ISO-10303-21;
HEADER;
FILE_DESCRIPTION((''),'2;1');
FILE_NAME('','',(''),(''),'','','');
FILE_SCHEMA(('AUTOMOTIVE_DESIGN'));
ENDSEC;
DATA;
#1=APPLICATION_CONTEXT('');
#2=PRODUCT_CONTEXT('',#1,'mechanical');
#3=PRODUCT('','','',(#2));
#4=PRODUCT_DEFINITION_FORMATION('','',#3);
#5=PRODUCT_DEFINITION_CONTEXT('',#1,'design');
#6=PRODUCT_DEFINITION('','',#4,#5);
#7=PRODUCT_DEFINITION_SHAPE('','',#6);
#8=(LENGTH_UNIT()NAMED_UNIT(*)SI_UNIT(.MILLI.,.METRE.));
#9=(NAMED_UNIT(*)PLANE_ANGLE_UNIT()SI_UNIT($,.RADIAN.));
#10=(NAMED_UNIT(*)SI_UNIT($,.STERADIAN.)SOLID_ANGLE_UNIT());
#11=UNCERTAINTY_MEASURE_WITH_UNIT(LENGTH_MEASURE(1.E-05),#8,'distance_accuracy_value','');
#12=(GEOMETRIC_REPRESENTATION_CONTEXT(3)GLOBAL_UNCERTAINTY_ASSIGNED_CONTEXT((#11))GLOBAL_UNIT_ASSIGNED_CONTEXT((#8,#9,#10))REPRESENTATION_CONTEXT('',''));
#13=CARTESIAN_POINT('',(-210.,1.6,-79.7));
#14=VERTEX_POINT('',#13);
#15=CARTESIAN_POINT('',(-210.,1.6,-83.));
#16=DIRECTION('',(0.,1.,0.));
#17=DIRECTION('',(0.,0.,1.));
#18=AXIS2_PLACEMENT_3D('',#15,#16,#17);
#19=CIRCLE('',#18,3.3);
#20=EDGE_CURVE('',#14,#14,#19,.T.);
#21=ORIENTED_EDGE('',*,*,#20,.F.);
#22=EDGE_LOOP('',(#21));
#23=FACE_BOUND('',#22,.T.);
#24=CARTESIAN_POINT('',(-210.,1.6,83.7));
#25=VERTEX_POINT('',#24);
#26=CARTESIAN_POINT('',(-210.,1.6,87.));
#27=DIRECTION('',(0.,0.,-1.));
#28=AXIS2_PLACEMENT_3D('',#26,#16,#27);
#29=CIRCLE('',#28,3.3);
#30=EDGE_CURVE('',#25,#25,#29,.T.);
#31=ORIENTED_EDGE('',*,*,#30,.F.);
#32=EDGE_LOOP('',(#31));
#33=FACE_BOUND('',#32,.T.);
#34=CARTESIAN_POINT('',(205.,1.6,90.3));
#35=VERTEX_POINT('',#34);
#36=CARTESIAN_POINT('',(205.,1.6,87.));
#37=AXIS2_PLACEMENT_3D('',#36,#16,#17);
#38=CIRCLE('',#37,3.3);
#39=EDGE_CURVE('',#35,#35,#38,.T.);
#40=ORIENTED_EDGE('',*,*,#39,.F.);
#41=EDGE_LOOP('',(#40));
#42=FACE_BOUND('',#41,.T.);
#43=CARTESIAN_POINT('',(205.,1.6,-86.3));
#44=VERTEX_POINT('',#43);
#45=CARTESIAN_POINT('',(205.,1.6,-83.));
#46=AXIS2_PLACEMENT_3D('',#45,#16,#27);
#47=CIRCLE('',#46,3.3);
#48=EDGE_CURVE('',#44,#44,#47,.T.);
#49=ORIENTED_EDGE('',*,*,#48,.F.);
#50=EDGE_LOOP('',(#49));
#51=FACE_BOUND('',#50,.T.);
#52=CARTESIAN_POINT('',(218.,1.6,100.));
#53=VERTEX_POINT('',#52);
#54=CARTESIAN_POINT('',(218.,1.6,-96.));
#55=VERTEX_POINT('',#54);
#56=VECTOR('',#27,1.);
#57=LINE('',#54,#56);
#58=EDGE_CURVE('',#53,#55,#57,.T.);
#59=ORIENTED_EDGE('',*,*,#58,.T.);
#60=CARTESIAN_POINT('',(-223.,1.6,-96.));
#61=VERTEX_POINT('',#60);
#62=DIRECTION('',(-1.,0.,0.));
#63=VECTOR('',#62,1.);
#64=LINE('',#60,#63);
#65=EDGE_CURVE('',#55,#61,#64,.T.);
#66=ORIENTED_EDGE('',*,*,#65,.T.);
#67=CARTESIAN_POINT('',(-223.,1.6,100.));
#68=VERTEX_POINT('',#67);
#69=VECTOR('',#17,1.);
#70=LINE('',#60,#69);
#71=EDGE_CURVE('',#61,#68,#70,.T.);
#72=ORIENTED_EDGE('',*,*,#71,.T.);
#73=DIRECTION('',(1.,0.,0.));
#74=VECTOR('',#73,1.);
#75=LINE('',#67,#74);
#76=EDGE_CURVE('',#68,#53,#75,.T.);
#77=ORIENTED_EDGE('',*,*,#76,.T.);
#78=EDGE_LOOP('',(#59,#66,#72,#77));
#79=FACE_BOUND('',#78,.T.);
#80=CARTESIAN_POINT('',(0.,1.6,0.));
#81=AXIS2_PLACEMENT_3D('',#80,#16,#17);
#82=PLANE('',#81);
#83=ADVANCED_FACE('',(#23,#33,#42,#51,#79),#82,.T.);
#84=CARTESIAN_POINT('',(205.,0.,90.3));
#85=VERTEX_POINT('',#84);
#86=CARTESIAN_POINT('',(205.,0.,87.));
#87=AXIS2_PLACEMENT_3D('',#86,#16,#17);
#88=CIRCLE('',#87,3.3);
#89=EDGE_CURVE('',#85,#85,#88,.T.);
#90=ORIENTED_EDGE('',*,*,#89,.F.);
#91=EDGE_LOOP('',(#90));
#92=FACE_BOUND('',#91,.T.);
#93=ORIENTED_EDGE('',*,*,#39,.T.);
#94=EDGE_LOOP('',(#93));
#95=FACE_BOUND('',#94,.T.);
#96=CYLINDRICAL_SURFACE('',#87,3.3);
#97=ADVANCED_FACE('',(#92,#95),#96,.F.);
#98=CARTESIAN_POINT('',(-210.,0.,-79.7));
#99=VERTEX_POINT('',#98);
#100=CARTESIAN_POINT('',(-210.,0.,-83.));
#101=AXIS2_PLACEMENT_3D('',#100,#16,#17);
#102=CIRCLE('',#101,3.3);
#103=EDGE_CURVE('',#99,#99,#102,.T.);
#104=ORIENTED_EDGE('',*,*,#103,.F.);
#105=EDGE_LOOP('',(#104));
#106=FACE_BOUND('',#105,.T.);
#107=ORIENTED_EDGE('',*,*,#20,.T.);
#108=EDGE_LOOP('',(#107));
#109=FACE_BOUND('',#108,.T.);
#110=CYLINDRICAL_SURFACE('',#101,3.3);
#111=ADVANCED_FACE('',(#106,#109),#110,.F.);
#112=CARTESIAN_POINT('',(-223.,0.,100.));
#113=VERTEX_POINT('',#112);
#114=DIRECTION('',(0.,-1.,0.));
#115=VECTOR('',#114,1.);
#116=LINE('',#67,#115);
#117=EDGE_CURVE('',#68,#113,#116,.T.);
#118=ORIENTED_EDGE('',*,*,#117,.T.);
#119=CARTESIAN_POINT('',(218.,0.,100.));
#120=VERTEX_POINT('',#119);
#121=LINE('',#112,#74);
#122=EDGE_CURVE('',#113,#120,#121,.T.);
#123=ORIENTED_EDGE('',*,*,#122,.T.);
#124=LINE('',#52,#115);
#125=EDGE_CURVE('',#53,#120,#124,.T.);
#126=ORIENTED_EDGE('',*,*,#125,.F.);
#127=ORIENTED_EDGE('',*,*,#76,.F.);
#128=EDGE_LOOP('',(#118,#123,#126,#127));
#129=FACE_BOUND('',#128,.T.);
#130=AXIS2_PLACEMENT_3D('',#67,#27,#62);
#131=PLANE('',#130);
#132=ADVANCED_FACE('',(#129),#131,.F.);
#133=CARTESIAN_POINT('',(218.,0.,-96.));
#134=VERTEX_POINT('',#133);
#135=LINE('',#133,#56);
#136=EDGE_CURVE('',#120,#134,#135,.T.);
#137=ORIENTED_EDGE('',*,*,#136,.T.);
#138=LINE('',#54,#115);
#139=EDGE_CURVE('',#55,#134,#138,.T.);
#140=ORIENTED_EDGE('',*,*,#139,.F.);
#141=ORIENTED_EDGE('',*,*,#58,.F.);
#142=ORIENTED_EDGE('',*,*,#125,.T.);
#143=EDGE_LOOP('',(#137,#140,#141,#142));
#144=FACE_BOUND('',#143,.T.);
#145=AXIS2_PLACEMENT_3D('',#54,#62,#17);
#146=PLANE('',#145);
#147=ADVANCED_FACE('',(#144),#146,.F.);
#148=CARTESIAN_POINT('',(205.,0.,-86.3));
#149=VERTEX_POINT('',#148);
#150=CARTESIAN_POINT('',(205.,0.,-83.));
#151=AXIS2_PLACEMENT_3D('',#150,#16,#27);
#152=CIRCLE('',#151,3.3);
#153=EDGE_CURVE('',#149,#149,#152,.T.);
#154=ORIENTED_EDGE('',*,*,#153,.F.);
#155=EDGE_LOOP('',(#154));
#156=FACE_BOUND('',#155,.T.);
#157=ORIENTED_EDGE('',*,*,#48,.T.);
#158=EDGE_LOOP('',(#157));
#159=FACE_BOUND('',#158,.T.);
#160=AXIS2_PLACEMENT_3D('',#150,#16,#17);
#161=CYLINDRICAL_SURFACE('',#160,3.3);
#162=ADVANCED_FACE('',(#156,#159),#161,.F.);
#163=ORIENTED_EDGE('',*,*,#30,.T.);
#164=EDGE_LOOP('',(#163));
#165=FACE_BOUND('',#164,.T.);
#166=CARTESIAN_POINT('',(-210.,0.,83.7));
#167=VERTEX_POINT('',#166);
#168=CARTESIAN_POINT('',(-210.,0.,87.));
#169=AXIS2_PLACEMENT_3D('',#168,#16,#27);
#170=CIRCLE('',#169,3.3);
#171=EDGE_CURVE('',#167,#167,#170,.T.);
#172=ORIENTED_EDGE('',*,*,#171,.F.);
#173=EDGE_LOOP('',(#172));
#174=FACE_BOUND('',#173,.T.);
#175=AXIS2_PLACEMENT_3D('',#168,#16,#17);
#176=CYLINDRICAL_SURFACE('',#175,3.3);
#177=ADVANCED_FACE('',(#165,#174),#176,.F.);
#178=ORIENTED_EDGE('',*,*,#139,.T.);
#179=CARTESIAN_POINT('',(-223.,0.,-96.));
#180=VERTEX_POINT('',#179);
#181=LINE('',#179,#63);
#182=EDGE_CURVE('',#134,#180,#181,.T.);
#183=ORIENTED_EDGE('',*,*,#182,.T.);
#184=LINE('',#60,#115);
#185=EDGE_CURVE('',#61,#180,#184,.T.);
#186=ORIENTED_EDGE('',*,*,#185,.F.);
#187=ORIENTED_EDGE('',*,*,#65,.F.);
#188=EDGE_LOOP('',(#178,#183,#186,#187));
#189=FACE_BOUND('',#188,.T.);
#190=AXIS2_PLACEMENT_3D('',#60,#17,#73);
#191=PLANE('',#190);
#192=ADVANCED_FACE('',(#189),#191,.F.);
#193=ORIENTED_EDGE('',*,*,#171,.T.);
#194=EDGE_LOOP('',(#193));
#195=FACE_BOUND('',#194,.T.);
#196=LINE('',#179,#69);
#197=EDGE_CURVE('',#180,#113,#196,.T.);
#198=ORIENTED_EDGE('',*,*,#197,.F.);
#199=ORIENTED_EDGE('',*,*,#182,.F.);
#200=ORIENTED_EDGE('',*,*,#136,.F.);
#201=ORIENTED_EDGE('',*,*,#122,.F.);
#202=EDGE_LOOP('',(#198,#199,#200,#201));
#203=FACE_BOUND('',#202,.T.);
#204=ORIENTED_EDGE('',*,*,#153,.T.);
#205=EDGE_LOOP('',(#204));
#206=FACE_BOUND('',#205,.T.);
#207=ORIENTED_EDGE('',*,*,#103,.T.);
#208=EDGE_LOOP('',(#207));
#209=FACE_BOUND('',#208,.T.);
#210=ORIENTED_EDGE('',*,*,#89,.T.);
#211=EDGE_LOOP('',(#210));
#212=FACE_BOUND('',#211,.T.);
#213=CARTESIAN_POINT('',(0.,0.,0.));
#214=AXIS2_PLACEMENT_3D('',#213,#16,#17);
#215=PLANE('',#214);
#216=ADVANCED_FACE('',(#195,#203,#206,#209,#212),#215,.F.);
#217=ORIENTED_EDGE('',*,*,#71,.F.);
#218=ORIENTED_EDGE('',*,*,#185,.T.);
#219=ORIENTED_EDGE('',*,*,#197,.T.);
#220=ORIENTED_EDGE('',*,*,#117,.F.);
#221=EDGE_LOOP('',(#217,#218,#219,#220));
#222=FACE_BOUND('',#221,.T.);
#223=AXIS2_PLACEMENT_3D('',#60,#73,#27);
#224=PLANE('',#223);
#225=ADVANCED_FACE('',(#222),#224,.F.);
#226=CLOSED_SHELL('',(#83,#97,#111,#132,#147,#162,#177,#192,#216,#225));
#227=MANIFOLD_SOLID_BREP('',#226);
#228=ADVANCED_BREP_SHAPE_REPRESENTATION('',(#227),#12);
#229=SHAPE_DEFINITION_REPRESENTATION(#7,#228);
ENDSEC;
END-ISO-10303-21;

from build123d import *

# Parameters (mm, degrees)
SKETCH2_W           = 441
SKETCH2_H           = 196
BOSS_EXTRUDE1_DEPTH = 1.6
SKETCH5_R           = 3.3
CUT_EXTRUDE1_DEPTH  = 1.6


with BuildPart() as part:
    # Sketch2 → Boss-Extrude1 (new body)
    with BuildSketch(Plane(origin=(0, 0, 0), x_dir=(1, 0, 0), z_dir=(0, 1, 0))):
        with Locations((-2.5, -2)):
            Rectangle(SKETCH2_W, SKETCH2_H)
    extrude(amount=BOSS_EXTRUDE1_DEPTH)

    # Sketch5 → Cut-Extrude1 (cut)
    with BuildSketch(Plane(origin=(0, 1.6, 0), x_dir=(1, 0, 0), z_dir=(0, 1, 0))):
        with Locations((-210, 83)):
            Circle(SKETCH5_R)
        with Locations((205, 83)):
            Circle(SKETCH5_R)
        with Locations((205, -87)):
            Circle(SKETCH5_R)
        with Locations((-210, -87)):
            Circle(SKETCH5_R)
    extrude(amount=-CUT_EXTRUDE1_DEPTH, mode=Mode.SUBTRACT)


solid = part.part
